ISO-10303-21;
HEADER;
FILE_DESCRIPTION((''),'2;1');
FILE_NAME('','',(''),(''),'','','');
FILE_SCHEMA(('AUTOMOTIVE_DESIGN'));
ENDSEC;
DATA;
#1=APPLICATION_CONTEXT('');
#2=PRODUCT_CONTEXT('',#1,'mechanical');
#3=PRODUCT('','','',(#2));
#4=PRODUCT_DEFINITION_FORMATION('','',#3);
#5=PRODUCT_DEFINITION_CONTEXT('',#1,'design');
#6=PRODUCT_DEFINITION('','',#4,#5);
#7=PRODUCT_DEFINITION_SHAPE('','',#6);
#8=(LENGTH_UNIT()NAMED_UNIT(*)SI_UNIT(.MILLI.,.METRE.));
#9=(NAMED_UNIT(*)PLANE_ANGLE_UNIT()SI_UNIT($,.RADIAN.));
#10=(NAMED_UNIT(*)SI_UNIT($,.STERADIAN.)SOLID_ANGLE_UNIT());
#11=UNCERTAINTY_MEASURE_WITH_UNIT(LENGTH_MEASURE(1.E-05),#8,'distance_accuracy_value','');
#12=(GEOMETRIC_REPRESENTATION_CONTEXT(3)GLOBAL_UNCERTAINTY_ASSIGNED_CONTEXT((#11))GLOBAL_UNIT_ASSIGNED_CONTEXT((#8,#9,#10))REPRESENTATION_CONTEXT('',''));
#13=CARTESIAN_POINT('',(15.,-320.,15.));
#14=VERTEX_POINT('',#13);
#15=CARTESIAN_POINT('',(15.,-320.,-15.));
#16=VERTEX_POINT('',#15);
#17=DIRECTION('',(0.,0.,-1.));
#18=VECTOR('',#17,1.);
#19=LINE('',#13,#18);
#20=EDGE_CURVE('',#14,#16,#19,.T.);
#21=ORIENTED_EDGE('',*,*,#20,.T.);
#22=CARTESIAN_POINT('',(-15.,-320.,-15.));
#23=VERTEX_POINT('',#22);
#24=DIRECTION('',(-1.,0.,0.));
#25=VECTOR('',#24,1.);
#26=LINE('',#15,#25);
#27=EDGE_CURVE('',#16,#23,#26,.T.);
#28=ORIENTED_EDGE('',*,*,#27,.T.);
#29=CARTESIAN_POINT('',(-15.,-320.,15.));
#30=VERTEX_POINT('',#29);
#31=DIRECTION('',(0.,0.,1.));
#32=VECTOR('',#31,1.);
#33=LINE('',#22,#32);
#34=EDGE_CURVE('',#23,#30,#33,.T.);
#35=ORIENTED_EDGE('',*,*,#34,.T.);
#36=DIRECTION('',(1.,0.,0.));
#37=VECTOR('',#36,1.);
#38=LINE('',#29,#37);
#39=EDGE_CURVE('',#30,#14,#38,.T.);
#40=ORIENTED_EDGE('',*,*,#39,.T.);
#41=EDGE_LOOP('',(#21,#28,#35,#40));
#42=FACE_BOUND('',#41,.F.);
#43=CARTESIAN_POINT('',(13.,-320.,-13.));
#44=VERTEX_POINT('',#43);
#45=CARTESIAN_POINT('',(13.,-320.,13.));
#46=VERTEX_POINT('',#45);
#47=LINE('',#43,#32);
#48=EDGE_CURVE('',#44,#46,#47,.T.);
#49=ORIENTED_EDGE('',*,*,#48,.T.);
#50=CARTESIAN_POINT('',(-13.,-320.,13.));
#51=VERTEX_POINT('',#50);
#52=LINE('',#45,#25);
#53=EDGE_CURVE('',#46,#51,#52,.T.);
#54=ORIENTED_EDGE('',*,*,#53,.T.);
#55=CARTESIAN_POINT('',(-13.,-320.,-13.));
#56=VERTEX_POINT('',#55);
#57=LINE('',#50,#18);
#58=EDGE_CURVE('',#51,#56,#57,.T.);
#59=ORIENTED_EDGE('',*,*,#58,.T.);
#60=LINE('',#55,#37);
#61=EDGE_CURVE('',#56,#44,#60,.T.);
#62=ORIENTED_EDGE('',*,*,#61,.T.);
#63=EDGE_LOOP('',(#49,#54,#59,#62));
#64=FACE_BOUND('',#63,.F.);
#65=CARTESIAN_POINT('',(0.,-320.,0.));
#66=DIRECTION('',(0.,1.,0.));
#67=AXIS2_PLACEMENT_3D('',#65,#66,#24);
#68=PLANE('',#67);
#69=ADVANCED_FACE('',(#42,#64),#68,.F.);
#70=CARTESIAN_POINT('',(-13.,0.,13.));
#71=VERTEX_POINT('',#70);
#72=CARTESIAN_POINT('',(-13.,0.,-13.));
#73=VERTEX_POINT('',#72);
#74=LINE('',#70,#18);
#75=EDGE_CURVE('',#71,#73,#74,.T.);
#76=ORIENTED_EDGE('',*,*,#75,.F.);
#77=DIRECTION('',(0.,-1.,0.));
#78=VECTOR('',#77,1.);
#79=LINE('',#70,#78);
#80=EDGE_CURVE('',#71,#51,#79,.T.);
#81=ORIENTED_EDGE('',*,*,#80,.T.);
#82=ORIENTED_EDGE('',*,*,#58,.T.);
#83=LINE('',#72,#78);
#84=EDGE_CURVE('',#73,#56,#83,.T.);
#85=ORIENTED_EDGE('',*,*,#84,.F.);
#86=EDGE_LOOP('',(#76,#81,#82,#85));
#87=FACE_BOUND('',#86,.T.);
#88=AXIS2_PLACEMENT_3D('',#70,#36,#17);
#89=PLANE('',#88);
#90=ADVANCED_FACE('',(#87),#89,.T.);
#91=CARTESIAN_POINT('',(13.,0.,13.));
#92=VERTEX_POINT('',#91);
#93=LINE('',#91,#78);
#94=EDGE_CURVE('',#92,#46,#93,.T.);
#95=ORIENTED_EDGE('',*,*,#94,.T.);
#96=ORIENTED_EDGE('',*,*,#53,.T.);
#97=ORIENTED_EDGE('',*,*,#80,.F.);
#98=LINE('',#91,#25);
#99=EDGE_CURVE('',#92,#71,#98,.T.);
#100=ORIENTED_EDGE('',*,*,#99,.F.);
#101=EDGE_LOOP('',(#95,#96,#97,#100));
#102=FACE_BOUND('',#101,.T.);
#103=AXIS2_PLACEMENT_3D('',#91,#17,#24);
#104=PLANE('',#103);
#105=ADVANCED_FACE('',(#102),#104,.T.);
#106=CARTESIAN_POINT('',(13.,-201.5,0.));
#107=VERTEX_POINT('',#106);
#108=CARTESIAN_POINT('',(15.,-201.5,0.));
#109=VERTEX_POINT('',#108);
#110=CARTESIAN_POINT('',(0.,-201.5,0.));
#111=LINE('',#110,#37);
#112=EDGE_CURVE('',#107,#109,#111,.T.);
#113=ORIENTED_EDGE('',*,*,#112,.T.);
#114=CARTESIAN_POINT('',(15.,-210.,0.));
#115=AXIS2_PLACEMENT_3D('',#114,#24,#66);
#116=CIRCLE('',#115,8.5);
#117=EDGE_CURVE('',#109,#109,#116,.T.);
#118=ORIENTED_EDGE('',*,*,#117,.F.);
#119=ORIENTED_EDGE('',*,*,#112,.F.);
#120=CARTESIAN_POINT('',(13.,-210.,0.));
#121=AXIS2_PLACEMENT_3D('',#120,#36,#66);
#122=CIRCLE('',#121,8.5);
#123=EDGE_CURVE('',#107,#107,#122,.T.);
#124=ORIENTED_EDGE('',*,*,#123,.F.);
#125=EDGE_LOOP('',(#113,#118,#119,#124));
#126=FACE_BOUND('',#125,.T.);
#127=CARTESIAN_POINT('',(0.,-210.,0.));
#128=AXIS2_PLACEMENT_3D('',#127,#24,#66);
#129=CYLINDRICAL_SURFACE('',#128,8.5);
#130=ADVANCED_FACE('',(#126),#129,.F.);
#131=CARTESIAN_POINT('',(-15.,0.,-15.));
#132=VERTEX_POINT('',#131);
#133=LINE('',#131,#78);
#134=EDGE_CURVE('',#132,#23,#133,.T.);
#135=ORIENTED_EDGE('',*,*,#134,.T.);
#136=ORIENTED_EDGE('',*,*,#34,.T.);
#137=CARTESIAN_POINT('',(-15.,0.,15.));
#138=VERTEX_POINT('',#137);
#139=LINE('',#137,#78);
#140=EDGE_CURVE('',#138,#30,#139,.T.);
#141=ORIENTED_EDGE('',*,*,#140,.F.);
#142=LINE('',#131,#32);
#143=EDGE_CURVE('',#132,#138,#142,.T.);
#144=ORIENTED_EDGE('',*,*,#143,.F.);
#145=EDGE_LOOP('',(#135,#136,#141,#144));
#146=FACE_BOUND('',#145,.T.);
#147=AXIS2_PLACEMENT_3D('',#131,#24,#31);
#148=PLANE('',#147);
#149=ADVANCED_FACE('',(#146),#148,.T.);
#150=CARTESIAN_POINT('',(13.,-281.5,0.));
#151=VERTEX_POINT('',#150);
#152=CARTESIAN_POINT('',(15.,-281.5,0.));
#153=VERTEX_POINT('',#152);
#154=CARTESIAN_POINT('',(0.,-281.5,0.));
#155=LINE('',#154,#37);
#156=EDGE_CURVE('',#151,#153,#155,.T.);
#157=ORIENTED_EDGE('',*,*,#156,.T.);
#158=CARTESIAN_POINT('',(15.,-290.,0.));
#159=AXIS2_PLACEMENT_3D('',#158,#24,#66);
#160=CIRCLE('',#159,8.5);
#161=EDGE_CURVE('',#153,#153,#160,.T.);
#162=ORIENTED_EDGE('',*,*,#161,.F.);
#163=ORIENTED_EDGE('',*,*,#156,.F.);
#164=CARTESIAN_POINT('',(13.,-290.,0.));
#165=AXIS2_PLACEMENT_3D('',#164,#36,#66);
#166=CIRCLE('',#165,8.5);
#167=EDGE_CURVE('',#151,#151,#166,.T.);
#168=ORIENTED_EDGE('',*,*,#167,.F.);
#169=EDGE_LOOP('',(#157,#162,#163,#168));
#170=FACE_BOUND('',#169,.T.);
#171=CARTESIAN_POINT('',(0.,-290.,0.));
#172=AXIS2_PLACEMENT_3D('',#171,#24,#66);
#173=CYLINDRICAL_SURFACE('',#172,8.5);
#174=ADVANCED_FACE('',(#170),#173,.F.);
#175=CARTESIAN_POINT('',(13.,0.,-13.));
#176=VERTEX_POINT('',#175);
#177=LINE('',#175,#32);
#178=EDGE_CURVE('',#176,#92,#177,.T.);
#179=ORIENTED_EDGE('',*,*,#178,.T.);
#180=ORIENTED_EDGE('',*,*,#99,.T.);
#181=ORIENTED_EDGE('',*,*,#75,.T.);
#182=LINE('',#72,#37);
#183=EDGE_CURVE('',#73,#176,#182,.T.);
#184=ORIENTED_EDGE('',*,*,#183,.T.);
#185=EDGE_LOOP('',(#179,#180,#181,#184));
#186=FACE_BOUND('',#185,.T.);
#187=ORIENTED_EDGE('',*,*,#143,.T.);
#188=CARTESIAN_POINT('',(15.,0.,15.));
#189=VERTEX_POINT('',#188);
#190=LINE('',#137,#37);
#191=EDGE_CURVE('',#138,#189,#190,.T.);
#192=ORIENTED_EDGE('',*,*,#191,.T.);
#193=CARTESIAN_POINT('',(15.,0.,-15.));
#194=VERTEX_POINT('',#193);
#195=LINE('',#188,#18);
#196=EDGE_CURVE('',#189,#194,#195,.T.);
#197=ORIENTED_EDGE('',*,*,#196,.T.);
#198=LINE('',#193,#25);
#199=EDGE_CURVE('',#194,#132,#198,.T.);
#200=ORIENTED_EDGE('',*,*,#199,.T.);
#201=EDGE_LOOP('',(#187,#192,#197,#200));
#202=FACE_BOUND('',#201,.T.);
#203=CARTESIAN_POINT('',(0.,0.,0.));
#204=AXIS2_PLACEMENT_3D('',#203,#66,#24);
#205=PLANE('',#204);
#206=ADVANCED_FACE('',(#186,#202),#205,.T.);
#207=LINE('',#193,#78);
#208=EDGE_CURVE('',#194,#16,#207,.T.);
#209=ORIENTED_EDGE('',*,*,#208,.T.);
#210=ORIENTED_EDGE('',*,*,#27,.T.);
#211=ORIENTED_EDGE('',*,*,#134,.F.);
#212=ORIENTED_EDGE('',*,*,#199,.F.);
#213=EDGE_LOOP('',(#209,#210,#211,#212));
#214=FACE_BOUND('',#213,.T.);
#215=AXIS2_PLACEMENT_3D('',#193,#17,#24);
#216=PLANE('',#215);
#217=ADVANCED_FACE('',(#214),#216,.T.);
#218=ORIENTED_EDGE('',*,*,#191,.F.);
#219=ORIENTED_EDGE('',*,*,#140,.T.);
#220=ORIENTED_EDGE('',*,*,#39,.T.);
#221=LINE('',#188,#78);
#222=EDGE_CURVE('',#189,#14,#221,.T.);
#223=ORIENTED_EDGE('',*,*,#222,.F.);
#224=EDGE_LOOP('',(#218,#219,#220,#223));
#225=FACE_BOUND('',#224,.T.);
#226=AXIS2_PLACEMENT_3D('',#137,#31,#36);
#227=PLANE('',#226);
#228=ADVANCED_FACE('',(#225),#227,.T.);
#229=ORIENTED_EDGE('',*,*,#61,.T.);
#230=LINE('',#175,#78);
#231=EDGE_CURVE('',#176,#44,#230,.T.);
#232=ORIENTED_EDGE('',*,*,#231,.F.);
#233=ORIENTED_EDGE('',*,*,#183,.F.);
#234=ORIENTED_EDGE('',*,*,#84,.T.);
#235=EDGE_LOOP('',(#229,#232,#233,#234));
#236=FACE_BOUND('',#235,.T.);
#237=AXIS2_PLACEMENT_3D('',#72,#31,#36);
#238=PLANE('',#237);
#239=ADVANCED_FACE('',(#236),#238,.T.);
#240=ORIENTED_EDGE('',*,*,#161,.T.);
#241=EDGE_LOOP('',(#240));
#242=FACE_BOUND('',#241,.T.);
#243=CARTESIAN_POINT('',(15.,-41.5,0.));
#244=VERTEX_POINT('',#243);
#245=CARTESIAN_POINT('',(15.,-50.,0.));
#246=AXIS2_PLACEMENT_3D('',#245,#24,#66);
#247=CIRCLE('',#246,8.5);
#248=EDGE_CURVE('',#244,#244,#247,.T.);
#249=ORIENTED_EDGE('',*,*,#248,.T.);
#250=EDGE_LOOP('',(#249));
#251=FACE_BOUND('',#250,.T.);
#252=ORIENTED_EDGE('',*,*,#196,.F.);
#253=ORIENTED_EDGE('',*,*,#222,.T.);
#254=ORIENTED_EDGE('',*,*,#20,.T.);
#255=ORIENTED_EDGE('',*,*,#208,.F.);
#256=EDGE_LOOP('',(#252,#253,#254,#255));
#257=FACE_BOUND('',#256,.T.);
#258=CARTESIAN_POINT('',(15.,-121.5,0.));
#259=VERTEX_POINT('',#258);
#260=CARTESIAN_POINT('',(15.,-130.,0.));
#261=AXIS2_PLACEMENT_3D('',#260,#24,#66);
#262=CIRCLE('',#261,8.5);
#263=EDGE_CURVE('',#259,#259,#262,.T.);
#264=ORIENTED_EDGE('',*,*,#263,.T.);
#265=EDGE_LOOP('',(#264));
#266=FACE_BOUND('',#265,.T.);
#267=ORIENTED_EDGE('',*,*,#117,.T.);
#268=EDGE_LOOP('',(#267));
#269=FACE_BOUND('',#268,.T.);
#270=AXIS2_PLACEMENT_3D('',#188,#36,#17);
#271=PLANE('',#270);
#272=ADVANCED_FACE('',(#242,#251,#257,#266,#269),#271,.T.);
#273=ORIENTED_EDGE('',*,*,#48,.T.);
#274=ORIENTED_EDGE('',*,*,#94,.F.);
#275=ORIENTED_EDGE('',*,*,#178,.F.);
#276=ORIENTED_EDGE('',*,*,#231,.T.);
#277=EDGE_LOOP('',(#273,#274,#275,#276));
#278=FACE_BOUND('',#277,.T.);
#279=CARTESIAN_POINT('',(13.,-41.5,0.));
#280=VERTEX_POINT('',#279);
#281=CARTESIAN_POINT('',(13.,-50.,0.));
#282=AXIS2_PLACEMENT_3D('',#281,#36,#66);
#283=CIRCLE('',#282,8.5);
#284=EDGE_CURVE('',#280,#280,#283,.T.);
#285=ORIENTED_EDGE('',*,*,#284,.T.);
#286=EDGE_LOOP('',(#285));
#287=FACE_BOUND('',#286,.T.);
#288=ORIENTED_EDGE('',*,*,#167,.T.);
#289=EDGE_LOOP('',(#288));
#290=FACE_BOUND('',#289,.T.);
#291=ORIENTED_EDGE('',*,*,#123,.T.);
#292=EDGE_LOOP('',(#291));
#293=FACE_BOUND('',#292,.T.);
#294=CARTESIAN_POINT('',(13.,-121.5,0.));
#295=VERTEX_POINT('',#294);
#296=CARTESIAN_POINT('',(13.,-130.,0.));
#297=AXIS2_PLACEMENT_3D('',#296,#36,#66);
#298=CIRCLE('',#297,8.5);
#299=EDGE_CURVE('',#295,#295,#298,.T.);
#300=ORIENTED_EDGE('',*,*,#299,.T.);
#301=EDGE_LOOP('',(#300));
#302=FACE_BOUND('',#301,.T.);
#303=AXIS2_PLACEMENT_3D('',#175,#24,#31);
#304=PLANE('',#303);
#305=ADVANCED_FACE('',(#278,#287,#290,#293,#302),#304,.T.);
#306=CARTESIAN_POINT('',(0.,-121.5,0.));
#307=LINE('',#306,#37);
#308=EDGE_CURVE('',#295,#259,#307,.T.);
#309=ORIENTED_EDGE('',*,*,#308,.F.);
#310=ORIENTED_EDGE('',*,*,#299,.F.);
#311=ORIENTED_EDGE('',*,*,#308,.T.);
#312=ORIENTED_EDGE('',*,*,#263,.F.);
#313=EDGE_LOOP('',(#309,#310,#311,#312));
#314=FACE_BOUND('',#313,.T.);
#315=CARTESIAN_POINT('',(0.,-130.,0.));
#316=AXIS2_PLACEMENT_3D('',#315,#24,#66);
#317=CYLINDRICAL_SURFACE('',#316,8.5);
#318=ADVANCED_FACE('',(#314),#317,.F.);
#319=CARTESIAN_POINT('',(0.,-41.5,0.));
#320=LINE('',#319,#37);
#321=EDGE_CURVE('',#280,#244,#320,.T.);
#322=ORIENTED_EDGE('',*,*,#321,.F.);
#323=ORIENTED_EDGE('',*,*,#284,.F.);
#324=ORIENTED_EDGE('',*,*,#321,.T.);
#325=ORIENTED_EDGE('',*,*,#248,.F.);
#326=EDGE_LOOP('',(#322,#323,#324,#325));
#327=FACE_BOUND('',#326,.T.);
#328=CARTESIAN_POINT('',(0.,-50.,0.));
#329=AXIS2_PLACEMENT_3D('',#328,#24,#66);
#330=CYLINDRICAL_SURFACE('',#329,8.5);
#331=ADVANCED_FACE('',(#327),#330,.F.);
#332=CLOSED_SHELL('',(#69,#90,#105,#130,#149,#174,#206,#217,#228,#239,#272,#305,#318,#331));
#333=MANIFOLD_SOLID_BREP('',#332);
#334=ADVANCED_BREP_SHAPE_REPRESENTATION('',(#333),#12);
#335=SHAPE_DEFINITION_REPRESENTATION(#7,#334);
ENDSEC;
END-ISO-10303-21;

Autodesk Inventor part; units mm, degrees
ref_plane "YZ Plane" through (0, 0, 0) normal (1, 0, 0) x (0, 1, 0)
ref_plane "XZ Plane" through (0, 0, 0) normal (0, 1, 0) x (-1, 0, 0)
ref_plane "XY Plane" through (0, 0, 0) normal (0, 0, 1) x (1, 0, 0)
sketch "Sketch9" plane through (0, 0, 0) normal (0, 1, 0) x (-1, 0, 0)
  line L0 (15, 15) -> (-15, 15)
  line L1 (-15, 15) -> (-15, -15)
  line L2 (-15, -15) -> (15, -15)
  line L3 (15, -15) -> (15, 15)
  line L4 (15, 15) -> (-15, -15) construction
  line L5 (-15, 15) -> (15, -15) construction
  line L6 (-13, 13) -> (13, 13)
  line L7 (13, 13) -> (13, -13)
  line L8 (13, -13) -> (-13, -13)
  line L9 (-13, -13) -> (-13, 13)
  point P0 (0, 0)
  dimension "d172" = 30
  dimension "d173" = 30
  dimension "d174" = 2
extrude "Extrusion3" add sketch "Sketch9" against normal blind 320
sketch "Sketch10" plane through (0, 0, 0) normal (1, 0, 0) x (0, 1, 0)
  line L0 (0, 15) -> (0, -15) construction
  line L1 (0, 15) -> (-320, 15) construction
  line L2 (0, -15) -> (-320, -15) construction
  line L3 (-58.5, 8.5) -> (-41.5, 8.5)
  line L4 (-41.5, 8.5) -> (-41.5, -8.5)
  line L5 (-41.5, -8.5) -> (-58.5, -8.5)
  line L6 (-58.5, -8.5) -> (-58.5, 8.5)
  line L7 (-58.5, 8.5) -> (-41.5, -8.5) construction
  line L8 (-41.5, 8.5) -> (-58.5, -8.5) construction
  line L9 (0, 0) -> (30, 0)
  circle A0 centre (-50, 0) radius 8.5
  dimension "d177" = 17
  dimension "d178" = 17
  dimension "d181" = 30
  dimension "d182" = 80
extrude "Extrusion4" cut sketch "Sketch10" along normal through all contours A0
pattern_linear "Rectangular Pattern4" count 4 spacing 80 along (0, -1, 0) of "Extrusion4"
properties part number "PRS 1200-52-02 FDS 1000 way tube 2" material "Stainless Steel"
